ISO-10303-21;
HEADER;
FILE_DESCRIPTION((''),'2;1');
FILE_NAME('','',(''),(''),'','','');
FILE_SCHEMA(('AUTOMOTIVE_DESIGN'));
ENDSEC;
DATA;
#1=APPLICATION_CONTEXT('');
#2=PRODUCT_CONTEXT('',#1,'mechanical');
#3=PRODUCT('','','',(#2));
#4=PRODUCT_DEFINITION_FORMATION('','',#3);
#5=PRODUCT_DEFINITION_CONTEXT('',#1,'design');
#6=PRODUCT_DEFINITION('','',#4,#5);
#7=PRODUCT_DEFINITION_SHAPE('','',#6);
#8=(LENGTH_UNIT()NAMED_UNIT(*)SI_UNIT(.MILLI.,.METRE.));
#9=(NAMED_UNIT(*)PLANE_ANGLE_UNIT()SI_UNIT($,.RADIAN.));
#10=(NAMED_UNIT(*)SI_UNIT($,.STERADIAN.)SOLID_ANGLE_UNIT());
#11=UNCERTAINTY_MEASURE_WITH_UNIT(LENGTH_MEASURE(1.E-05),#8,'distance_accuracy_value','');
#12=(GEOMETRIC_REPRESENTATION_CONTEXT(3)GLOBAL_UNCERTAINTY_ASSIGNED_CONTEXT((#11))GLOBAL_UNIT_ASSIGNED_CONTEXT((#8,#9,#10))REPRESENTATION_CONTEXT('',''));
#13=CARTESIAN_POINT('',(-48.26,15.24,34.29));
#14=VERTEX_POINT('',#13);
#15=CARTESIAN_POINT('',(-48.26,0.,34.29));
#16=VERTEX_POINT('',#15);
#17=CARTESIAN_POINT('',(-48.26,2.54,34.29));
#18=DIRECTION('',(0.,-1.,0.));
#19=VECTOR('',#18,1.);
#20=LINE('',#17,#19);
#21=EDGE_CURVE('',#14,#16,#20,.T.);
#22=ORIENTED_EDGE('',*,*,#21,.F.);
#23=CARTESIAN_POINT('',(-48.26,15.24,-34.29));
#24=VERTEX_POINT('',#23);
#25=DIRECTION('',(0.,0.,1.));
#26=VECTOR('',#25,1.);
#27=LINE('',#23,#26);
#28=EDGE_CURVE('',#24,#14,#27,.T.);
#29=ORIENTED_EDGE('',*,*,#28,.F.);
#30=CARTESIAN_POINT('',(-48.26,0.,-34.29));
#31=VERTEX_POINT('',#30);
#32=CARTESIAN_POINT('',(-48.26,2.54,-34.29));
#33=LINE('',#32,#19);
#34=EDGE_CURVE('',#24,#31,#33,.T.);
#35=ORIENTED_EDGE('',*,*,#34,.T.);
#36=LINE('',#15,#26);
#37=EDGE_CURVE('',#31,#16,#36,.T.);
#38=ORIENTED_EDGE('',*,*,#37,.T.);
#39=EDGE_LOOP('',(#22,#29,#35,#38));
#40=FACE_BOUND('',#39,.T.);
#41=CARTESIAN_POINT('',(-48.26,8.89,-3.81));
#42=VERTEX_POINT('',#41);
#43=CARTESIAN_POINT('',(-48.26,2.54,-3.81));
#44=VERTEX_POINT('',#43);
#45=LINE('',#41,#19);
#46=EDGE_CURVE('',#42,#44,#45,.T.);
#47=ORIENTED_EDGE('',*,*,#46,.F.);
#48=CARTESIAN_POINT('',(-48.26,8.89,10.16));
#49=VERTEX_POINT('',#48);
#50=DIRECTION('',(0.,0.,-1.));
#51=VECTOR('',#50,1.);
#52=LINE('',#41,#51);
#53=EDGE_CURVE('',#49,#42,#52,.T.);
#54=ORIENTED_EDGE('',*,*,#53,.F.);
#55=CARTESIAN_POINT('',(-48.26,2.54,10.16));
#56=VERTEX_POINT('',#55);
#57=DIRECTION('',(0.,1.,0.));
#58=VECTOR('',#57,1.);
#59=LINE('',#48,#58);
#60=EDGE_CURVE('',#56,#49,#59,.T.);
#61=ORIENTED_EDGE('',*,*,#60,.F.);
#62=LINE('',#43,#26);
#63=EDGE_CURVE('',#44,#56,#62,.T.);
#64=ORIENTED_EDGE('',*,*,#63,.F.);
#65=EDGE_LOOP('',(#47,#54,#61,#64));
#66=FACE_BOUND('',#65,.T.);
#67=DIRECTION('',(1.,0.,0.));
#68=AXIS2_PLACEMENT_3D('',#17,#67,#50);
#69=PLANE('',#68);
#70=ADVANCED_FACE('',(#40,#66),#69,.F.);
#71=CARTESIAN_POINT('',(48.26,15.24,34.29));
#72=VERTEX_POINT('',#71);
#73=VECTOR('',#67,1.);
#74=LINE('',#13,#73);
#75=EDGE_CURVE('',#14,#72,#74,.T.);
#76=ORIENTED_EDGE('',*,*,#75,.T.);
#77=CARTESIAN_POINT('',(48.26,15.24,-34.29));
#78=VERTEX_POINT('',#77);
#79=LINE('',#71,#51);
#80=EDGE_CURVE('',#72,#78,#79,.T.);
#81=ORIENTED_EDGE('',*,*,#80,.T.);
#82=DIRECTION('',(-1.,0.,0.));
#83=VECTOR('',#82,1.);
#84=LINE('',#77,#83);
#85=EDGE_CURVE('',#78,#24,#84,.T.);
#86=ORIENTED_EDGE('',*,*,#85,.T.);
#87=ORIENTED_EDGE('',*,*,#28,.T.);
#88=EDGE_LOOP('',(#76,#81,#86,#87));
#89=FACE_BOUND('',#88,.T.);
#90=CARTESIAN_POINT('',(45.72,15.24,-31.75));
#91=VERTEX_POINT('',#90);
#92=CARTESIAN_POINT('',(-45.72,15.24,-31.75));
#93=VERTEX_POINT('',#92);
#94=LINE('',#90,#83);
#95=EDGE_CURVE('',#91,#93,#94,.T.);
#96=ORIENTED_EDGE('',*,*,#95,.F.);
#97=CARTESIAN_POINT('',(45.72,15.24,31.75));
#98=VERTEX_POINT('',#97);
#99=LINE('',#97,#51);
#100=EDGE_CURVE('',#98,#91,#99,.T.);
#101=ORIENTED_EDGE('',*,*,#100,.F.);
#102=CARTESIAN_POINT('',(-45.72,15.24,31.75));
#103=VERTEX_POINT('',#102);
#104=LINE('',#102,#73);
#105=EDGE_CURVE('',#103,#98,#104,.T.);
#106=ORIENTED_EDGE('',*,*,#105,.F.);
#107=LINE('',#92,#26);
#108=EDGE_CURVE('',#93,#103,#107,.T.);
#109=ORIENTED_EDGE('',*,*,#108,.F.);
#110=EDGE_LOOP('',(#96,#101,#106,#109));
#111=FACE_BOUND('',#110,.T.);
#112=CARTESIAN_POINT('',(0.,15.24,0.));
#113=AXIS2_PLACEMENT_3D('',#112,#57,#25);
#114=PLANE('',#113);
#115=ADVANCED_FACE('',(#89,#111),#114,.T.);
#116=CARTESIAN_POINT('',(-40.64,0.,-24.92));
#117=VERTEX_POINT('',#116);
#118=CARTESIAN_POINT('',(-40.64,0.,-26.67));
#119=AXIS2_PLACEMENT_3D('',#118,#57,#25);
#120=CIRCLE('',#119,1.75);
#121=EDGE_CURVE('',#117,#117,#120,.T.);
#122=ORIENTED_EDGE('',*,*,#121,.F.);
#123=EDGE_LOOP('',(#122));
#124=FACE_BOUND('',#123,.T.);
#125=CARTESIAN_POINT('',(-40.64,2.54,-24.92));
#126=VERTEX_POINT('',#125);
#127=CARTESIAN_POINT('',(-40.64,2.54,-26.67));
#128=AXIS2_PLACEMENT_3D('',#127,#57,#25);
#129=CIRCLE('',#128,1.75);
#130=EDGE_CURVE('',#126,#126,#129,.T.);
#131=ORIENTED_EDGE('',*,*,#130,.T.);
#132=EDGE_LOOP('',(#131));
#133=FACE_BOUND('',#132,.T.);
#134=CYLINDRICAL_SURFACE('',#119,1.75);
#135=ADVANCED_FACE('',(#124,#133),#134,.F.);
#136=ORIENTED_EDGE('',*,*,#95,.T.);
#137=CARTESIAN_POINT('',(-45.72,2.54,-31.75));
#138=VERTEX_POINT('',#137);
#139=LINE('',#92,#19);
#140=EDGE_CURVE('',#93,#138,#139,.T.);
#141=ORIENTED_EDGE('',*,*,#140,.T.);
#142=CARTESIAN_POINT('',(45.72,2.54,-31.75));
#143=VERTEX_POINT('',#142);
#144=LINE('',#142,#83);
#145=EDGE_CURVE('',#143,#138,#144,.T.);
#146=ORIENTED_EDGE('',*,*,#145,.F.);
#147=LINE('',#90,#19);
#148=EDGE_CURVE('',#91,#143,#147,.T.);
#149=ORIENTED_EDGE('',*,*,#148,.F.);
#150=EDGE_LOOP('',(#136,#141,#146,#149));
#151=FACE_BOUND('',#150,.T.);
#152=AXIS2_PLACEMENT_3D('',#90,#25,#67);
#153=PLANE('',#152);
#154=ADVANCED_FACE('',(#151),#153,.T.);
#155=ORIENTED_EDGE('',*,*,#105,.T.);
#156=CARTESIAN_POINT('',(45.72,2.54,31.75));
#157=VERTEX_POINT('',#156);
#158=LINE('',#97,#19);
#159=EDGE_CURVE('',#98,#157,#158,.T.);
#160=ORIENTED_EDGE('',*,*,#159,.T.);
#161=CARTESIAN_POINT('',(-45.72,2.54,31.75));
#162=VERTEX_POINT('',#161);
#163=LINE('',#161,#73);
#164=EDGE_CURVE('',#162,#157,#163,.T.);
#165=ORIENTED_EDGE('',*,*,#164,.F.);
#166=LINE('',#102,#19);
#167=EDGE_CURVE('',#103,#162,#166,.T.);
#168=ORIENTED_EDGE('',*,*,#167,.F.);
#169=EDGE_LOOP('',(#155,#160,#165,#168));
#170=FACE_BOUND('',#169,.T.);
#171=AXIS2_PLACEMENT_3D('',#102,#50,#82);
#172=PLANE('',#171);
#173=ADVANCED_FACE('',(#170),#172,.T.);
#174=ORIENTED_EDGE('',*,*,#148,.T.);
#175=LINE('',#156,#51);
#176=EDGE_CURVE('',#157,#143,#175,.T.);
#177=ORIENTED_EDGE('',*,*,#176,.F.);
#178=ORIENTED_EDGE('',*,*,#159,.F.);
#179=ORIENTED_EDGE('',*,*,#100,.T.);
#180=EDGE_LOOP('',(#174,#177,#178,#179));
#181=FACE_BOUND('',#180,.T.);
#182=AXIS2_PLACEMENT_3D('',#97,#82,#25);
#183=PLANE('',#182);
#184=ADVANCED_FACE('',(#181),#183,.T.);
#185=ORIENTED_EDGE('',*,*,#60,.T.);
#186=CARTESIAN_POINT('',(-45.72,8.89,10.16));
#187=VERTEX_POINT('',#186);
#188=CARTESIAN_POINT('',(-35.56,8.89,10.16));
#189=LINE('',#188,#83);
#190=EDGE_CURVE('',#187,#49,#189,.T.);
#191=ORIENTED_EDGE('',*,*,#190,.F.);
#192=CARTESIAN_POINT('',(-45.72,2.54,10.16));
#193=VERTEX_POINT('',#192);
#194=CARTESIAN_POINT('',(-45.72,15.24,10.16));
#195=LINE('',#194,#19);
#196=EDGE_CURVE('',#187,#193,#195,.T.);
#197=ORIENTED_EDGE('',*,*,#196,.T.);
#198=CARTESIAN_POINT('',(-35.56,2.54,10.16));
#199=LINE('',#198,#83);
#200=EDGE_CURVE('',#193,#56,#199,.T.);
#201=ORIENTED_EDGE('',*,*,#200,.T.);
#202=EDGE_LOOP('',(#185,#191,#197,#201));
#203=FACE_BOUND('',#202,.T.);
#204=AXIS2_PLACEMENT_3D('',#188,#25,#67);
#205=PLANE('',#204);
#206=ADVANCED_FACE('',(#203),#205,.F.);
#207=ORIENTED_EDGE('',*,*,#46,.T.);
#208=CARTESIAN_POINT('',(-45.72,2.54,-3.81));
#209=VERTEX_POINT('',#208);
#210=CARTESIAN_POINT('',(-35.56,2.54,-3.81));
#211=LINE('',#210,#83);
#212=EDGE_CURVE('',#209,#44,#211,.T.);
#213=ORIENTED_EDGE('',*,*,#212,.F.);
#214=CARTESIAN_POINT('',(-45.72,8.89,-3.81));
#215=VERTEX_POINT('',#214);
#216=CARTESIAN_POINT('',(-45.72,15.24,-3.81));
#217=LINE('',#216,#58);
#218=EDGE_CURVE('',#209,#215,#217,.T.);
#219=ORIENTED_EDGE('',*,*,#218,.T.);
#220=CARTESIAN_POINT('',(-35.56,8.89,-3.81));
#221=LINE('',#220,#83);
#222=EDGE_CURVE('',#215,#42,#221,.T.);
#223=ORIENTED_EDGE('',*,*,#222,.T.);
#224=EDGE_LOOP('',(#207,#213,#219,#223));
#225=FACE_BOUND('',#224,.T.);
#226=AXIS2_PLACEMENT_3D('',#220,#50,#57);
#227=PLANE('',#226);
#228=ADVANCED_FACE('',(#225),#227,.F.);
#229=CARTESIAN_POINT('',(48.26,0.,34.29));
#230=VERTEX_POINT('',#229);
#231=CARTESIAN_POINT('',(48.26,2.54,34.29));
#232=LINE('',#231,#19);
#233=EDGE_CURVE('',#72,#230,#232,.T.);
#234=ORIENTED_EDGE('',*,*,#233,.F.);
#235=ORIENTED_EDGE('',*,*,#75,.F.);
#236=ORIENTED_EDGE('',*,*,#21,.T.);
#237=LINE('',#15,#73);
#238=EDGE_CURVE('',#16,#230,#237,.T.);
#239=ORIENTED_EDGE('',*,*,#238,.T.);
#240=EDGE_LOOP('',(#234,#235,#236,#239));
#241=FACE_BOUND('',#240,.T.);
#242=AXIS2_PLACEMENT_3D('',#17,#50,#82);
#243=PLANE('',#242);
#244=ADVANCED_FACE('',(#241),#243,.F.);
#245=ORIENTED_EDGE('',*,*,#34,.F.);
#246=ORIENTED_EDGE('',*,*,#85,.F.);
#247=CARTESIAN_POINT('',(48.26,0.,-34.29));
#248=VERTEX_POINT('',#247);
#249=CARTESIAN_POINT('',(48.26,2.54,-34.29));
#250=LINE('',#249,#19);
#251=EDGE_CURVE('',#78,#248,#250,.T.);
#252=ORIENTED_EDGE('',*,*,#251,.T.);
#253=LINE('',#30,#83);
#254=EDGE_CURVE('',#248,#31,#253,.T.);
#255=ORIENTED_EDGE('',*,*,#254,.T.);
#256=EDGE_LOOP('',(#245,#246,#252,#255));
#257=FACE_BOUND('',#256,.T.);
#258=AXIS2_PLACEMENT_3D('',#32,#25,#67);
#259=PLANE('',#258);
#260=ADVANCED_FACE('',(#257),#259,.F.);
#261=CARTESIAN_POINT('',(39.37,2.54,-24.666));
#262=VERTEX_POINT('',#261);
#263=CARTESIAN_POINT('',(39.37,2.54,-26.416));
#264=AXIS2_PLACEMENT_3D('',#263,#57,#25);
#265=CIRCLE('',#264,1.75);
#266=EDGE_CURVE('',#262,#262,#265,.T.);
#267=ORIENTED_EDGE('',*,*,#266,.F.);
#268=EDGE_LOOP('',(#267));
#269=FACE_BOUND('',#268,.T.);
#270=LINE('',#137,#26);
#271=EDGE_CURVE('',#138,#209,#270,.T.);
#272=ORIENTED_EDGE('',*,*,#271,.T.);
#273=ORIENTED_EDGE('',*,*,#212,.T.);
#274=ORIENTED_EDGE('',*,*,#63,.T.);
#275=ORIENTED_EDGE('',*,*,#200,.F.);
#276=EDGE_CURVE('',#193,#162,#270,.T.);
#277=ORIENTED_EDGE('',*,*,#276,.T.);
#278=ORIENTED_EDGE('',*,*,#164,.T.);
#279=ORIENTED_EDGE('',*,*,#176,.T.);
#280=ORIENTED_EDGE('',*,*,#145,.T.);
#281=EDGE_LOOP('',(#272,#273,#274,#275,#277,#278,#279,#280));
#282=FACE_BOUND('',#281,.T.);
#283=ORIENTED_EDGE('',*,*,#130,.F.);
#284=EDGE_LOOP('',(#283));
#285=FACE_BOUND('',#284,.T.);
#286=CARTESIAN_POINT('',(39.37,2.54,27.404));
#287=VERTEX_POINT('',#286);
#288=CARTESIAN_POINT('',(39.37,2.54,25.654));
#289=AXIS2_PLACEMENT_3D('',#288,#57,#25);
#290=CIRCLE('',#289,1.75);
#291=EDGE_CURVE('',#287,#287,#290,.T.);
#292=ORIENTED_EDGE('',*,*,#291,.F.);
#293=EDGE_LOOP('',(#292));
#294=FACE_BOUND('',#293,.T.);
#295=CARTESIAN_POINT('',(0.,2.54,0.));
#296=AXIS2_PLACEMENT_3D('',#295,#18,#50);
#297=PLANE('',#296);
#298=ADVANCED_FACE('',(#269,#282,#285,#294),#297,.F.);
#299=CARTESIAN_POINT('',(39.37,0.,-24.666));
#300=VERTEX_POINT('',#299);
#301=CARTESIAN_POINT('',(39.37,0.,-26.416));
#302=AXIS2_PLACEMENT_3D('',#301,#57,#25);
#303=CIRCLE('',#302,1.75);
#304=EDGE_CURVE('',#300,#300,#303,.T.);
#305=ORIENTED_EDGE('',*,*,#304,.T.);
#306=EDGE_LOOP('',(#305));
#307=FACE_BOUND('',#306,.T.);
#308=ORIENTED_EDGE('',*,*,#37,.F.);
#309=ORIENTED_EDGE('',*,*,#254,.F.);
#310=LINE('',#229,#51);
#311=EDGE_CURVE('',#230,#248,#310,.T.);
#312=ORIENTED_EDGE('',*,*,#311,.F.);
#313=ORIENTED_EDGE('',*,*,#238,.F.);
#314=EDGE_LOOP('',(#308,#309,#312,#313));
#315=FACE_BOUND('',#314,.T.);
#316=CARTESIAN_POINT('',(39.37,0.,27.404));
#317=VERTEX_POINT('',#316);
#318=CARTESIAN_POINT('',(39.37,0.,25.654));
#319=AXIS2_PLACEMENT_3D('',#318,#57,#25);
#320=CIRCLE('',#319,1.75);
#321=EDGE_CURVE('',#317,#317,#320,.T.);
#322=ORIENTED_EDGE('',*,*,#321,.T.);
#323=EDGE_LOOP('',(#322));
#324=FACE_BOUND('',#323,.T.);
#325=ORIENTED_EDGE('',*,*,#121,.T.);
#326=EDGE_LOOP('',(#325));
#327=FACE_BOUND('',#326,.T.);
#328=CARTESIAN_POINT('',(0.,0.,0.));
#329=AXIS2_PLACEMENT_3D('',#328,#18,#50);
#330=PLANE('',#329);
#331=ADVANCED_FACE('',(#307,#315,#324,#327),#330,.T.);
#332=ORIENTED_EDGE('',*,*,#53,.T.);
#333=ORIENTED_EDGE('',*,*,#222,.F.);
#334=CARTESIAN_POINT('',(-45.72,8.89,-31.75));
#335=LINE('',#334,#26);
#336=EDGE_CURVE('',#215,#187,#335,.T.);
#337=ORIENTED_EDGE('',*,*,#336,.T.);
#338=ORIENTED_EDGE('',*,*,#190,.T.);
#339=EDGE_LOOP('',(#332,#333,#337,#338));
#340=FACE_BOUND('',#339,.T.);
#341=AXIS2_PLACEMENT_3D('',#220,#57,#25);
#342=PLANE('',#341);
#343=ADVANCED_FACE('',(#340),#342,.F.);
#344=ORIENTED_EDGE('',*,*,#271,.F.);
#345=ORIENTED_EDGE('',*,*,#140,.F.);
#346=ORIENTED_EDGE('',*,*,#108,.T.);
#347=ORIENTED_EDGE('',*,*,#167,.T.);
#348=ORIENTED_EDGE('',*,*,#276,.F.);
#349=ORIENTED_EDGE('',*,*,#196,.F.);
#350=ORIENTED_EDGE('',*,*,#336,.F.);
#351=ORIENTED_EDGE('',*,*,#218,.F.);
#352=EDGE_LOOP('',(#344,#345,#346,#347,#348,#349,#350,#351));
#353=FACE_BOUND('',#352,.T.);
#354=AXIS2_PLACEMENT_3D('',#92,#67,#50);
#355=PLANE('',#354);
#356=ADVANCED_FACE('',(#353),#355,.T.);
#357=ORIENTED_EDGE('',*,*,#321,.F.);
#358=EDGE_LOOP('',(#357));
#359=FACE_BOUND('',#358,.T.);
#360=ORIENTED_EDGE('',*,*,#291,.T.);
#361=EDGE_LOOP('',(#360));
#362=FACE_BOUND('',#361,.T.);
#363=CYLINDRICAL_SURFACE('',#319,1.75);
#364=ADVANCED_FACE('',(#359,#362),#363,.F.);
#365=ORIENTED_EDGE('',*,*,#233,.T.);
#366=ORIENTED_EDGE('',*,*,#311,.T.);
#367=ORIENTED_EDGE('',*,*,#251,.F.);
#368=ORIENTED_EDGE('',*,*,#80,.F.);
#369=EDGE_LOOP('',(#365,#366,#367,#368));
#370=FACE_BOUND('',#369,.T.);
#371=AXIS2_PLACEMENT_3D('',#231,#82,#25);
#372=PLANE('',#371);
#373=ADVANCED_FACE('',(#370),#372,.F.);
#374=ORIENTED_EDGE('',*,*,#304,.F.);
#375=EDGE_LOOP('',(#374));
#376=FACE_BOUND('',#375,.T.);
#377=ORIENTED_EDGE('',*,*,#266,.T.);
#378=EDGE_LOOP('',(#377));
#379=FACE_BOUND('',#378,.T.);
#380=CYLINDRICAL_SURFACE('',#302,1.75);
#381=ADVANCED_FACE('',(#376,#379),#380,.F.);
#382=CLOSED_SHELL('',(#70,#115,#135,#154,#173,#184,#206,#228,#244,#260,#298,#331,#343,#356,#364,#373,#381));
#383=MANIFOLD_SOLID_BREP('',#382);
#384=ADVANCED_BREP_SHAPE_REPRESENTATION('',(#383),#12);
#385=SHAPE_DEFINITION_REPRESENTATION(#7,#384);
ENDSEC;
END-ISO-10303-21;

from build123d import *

# Parameters (mm, degrees)
SKETCH1_W           = 96.52
SKETCH1_H           = 68.58
BOSS_EXTRUDE2_DEPTH = 2.54
SKETCH4_W           = 96.52
SKETCH4_H           = 68.58
SKETCH4_W_2         = 91.44
SKETCH4_H_2         = 63.5
BOSS_EXTRUDE3_DEPTH = 12.7
SKETCH5_W           = 13.97
SKETCH5_H           = 6.35
CUT_EXTRUDE2_DEPTH  = 12.7
SKETCH6_R           = 1.75
CUT_EXTRUDE4_DEPTH  = 2.54


with BuildPart() as part:
    # Sketch1 → Boss-Extrude2 (new body)
    with BuildSketch(Plane(origin=(0, 0, 0), x_dir=(1, 0, 0), z_dir=(0, 1, 0))):
        Rectangle(SKETCH1_W, SKETCH1_H)
    extrude(amount=BOSS_EXTRUDE2_DEPTH)

    # Sketch4 → Boss-Extrude3 (add)
    with BuildSketch(Plane(origin=(0, 2.54, 0), x_dir=(1, 0, 0), z_dir=(0, 1, 0))):
        Rectangle(SKETCH4_W, SKETCH4_H)
        Rectangle(SKETCH4_W_2, SKETCH4_H_2, mode=Mode.SUBTRACT)
    extrude(amount=BOSS_EXTRUDE3_DEPTH)

    # Sketch5 → Cut-Extrude2 (cut)
    with BuildSketch(Plane.ZY.offset(48.26)):
        with Locations((3.175, 5.715)):
            Rectangle(SKETCH5_W, SKETCH5_H)
    extrude(amount=-CUT_EXTRUDE2_DEPTH, mode=Mode.SUBTRACT)

    # Sketch6 → Cut-Extrude4 (cut)
    with BuildSketch(Plane(origin=(0, 2.54, 0), x_dir=(1, 0, 0), z_dir=(0, 1, 0))):
        with Locations(Location((-40.64, 26.67, 0), (0, 0, 270))):
            Circle(SKETCH6_R)
        with Locations(Location((39.37, 26.416, 0), (0, 0, 270))):
            Circle(SKETCH6_R)
        with Locations(Location((39.37, -25.654, 0), (0, 0, 270))):
            Circle(SKETCH6_R)
    extrude(amount=-CUT_EXTRUDE4_DEPTH, mode=Mode.SUBTRACT)


solid = part.part
